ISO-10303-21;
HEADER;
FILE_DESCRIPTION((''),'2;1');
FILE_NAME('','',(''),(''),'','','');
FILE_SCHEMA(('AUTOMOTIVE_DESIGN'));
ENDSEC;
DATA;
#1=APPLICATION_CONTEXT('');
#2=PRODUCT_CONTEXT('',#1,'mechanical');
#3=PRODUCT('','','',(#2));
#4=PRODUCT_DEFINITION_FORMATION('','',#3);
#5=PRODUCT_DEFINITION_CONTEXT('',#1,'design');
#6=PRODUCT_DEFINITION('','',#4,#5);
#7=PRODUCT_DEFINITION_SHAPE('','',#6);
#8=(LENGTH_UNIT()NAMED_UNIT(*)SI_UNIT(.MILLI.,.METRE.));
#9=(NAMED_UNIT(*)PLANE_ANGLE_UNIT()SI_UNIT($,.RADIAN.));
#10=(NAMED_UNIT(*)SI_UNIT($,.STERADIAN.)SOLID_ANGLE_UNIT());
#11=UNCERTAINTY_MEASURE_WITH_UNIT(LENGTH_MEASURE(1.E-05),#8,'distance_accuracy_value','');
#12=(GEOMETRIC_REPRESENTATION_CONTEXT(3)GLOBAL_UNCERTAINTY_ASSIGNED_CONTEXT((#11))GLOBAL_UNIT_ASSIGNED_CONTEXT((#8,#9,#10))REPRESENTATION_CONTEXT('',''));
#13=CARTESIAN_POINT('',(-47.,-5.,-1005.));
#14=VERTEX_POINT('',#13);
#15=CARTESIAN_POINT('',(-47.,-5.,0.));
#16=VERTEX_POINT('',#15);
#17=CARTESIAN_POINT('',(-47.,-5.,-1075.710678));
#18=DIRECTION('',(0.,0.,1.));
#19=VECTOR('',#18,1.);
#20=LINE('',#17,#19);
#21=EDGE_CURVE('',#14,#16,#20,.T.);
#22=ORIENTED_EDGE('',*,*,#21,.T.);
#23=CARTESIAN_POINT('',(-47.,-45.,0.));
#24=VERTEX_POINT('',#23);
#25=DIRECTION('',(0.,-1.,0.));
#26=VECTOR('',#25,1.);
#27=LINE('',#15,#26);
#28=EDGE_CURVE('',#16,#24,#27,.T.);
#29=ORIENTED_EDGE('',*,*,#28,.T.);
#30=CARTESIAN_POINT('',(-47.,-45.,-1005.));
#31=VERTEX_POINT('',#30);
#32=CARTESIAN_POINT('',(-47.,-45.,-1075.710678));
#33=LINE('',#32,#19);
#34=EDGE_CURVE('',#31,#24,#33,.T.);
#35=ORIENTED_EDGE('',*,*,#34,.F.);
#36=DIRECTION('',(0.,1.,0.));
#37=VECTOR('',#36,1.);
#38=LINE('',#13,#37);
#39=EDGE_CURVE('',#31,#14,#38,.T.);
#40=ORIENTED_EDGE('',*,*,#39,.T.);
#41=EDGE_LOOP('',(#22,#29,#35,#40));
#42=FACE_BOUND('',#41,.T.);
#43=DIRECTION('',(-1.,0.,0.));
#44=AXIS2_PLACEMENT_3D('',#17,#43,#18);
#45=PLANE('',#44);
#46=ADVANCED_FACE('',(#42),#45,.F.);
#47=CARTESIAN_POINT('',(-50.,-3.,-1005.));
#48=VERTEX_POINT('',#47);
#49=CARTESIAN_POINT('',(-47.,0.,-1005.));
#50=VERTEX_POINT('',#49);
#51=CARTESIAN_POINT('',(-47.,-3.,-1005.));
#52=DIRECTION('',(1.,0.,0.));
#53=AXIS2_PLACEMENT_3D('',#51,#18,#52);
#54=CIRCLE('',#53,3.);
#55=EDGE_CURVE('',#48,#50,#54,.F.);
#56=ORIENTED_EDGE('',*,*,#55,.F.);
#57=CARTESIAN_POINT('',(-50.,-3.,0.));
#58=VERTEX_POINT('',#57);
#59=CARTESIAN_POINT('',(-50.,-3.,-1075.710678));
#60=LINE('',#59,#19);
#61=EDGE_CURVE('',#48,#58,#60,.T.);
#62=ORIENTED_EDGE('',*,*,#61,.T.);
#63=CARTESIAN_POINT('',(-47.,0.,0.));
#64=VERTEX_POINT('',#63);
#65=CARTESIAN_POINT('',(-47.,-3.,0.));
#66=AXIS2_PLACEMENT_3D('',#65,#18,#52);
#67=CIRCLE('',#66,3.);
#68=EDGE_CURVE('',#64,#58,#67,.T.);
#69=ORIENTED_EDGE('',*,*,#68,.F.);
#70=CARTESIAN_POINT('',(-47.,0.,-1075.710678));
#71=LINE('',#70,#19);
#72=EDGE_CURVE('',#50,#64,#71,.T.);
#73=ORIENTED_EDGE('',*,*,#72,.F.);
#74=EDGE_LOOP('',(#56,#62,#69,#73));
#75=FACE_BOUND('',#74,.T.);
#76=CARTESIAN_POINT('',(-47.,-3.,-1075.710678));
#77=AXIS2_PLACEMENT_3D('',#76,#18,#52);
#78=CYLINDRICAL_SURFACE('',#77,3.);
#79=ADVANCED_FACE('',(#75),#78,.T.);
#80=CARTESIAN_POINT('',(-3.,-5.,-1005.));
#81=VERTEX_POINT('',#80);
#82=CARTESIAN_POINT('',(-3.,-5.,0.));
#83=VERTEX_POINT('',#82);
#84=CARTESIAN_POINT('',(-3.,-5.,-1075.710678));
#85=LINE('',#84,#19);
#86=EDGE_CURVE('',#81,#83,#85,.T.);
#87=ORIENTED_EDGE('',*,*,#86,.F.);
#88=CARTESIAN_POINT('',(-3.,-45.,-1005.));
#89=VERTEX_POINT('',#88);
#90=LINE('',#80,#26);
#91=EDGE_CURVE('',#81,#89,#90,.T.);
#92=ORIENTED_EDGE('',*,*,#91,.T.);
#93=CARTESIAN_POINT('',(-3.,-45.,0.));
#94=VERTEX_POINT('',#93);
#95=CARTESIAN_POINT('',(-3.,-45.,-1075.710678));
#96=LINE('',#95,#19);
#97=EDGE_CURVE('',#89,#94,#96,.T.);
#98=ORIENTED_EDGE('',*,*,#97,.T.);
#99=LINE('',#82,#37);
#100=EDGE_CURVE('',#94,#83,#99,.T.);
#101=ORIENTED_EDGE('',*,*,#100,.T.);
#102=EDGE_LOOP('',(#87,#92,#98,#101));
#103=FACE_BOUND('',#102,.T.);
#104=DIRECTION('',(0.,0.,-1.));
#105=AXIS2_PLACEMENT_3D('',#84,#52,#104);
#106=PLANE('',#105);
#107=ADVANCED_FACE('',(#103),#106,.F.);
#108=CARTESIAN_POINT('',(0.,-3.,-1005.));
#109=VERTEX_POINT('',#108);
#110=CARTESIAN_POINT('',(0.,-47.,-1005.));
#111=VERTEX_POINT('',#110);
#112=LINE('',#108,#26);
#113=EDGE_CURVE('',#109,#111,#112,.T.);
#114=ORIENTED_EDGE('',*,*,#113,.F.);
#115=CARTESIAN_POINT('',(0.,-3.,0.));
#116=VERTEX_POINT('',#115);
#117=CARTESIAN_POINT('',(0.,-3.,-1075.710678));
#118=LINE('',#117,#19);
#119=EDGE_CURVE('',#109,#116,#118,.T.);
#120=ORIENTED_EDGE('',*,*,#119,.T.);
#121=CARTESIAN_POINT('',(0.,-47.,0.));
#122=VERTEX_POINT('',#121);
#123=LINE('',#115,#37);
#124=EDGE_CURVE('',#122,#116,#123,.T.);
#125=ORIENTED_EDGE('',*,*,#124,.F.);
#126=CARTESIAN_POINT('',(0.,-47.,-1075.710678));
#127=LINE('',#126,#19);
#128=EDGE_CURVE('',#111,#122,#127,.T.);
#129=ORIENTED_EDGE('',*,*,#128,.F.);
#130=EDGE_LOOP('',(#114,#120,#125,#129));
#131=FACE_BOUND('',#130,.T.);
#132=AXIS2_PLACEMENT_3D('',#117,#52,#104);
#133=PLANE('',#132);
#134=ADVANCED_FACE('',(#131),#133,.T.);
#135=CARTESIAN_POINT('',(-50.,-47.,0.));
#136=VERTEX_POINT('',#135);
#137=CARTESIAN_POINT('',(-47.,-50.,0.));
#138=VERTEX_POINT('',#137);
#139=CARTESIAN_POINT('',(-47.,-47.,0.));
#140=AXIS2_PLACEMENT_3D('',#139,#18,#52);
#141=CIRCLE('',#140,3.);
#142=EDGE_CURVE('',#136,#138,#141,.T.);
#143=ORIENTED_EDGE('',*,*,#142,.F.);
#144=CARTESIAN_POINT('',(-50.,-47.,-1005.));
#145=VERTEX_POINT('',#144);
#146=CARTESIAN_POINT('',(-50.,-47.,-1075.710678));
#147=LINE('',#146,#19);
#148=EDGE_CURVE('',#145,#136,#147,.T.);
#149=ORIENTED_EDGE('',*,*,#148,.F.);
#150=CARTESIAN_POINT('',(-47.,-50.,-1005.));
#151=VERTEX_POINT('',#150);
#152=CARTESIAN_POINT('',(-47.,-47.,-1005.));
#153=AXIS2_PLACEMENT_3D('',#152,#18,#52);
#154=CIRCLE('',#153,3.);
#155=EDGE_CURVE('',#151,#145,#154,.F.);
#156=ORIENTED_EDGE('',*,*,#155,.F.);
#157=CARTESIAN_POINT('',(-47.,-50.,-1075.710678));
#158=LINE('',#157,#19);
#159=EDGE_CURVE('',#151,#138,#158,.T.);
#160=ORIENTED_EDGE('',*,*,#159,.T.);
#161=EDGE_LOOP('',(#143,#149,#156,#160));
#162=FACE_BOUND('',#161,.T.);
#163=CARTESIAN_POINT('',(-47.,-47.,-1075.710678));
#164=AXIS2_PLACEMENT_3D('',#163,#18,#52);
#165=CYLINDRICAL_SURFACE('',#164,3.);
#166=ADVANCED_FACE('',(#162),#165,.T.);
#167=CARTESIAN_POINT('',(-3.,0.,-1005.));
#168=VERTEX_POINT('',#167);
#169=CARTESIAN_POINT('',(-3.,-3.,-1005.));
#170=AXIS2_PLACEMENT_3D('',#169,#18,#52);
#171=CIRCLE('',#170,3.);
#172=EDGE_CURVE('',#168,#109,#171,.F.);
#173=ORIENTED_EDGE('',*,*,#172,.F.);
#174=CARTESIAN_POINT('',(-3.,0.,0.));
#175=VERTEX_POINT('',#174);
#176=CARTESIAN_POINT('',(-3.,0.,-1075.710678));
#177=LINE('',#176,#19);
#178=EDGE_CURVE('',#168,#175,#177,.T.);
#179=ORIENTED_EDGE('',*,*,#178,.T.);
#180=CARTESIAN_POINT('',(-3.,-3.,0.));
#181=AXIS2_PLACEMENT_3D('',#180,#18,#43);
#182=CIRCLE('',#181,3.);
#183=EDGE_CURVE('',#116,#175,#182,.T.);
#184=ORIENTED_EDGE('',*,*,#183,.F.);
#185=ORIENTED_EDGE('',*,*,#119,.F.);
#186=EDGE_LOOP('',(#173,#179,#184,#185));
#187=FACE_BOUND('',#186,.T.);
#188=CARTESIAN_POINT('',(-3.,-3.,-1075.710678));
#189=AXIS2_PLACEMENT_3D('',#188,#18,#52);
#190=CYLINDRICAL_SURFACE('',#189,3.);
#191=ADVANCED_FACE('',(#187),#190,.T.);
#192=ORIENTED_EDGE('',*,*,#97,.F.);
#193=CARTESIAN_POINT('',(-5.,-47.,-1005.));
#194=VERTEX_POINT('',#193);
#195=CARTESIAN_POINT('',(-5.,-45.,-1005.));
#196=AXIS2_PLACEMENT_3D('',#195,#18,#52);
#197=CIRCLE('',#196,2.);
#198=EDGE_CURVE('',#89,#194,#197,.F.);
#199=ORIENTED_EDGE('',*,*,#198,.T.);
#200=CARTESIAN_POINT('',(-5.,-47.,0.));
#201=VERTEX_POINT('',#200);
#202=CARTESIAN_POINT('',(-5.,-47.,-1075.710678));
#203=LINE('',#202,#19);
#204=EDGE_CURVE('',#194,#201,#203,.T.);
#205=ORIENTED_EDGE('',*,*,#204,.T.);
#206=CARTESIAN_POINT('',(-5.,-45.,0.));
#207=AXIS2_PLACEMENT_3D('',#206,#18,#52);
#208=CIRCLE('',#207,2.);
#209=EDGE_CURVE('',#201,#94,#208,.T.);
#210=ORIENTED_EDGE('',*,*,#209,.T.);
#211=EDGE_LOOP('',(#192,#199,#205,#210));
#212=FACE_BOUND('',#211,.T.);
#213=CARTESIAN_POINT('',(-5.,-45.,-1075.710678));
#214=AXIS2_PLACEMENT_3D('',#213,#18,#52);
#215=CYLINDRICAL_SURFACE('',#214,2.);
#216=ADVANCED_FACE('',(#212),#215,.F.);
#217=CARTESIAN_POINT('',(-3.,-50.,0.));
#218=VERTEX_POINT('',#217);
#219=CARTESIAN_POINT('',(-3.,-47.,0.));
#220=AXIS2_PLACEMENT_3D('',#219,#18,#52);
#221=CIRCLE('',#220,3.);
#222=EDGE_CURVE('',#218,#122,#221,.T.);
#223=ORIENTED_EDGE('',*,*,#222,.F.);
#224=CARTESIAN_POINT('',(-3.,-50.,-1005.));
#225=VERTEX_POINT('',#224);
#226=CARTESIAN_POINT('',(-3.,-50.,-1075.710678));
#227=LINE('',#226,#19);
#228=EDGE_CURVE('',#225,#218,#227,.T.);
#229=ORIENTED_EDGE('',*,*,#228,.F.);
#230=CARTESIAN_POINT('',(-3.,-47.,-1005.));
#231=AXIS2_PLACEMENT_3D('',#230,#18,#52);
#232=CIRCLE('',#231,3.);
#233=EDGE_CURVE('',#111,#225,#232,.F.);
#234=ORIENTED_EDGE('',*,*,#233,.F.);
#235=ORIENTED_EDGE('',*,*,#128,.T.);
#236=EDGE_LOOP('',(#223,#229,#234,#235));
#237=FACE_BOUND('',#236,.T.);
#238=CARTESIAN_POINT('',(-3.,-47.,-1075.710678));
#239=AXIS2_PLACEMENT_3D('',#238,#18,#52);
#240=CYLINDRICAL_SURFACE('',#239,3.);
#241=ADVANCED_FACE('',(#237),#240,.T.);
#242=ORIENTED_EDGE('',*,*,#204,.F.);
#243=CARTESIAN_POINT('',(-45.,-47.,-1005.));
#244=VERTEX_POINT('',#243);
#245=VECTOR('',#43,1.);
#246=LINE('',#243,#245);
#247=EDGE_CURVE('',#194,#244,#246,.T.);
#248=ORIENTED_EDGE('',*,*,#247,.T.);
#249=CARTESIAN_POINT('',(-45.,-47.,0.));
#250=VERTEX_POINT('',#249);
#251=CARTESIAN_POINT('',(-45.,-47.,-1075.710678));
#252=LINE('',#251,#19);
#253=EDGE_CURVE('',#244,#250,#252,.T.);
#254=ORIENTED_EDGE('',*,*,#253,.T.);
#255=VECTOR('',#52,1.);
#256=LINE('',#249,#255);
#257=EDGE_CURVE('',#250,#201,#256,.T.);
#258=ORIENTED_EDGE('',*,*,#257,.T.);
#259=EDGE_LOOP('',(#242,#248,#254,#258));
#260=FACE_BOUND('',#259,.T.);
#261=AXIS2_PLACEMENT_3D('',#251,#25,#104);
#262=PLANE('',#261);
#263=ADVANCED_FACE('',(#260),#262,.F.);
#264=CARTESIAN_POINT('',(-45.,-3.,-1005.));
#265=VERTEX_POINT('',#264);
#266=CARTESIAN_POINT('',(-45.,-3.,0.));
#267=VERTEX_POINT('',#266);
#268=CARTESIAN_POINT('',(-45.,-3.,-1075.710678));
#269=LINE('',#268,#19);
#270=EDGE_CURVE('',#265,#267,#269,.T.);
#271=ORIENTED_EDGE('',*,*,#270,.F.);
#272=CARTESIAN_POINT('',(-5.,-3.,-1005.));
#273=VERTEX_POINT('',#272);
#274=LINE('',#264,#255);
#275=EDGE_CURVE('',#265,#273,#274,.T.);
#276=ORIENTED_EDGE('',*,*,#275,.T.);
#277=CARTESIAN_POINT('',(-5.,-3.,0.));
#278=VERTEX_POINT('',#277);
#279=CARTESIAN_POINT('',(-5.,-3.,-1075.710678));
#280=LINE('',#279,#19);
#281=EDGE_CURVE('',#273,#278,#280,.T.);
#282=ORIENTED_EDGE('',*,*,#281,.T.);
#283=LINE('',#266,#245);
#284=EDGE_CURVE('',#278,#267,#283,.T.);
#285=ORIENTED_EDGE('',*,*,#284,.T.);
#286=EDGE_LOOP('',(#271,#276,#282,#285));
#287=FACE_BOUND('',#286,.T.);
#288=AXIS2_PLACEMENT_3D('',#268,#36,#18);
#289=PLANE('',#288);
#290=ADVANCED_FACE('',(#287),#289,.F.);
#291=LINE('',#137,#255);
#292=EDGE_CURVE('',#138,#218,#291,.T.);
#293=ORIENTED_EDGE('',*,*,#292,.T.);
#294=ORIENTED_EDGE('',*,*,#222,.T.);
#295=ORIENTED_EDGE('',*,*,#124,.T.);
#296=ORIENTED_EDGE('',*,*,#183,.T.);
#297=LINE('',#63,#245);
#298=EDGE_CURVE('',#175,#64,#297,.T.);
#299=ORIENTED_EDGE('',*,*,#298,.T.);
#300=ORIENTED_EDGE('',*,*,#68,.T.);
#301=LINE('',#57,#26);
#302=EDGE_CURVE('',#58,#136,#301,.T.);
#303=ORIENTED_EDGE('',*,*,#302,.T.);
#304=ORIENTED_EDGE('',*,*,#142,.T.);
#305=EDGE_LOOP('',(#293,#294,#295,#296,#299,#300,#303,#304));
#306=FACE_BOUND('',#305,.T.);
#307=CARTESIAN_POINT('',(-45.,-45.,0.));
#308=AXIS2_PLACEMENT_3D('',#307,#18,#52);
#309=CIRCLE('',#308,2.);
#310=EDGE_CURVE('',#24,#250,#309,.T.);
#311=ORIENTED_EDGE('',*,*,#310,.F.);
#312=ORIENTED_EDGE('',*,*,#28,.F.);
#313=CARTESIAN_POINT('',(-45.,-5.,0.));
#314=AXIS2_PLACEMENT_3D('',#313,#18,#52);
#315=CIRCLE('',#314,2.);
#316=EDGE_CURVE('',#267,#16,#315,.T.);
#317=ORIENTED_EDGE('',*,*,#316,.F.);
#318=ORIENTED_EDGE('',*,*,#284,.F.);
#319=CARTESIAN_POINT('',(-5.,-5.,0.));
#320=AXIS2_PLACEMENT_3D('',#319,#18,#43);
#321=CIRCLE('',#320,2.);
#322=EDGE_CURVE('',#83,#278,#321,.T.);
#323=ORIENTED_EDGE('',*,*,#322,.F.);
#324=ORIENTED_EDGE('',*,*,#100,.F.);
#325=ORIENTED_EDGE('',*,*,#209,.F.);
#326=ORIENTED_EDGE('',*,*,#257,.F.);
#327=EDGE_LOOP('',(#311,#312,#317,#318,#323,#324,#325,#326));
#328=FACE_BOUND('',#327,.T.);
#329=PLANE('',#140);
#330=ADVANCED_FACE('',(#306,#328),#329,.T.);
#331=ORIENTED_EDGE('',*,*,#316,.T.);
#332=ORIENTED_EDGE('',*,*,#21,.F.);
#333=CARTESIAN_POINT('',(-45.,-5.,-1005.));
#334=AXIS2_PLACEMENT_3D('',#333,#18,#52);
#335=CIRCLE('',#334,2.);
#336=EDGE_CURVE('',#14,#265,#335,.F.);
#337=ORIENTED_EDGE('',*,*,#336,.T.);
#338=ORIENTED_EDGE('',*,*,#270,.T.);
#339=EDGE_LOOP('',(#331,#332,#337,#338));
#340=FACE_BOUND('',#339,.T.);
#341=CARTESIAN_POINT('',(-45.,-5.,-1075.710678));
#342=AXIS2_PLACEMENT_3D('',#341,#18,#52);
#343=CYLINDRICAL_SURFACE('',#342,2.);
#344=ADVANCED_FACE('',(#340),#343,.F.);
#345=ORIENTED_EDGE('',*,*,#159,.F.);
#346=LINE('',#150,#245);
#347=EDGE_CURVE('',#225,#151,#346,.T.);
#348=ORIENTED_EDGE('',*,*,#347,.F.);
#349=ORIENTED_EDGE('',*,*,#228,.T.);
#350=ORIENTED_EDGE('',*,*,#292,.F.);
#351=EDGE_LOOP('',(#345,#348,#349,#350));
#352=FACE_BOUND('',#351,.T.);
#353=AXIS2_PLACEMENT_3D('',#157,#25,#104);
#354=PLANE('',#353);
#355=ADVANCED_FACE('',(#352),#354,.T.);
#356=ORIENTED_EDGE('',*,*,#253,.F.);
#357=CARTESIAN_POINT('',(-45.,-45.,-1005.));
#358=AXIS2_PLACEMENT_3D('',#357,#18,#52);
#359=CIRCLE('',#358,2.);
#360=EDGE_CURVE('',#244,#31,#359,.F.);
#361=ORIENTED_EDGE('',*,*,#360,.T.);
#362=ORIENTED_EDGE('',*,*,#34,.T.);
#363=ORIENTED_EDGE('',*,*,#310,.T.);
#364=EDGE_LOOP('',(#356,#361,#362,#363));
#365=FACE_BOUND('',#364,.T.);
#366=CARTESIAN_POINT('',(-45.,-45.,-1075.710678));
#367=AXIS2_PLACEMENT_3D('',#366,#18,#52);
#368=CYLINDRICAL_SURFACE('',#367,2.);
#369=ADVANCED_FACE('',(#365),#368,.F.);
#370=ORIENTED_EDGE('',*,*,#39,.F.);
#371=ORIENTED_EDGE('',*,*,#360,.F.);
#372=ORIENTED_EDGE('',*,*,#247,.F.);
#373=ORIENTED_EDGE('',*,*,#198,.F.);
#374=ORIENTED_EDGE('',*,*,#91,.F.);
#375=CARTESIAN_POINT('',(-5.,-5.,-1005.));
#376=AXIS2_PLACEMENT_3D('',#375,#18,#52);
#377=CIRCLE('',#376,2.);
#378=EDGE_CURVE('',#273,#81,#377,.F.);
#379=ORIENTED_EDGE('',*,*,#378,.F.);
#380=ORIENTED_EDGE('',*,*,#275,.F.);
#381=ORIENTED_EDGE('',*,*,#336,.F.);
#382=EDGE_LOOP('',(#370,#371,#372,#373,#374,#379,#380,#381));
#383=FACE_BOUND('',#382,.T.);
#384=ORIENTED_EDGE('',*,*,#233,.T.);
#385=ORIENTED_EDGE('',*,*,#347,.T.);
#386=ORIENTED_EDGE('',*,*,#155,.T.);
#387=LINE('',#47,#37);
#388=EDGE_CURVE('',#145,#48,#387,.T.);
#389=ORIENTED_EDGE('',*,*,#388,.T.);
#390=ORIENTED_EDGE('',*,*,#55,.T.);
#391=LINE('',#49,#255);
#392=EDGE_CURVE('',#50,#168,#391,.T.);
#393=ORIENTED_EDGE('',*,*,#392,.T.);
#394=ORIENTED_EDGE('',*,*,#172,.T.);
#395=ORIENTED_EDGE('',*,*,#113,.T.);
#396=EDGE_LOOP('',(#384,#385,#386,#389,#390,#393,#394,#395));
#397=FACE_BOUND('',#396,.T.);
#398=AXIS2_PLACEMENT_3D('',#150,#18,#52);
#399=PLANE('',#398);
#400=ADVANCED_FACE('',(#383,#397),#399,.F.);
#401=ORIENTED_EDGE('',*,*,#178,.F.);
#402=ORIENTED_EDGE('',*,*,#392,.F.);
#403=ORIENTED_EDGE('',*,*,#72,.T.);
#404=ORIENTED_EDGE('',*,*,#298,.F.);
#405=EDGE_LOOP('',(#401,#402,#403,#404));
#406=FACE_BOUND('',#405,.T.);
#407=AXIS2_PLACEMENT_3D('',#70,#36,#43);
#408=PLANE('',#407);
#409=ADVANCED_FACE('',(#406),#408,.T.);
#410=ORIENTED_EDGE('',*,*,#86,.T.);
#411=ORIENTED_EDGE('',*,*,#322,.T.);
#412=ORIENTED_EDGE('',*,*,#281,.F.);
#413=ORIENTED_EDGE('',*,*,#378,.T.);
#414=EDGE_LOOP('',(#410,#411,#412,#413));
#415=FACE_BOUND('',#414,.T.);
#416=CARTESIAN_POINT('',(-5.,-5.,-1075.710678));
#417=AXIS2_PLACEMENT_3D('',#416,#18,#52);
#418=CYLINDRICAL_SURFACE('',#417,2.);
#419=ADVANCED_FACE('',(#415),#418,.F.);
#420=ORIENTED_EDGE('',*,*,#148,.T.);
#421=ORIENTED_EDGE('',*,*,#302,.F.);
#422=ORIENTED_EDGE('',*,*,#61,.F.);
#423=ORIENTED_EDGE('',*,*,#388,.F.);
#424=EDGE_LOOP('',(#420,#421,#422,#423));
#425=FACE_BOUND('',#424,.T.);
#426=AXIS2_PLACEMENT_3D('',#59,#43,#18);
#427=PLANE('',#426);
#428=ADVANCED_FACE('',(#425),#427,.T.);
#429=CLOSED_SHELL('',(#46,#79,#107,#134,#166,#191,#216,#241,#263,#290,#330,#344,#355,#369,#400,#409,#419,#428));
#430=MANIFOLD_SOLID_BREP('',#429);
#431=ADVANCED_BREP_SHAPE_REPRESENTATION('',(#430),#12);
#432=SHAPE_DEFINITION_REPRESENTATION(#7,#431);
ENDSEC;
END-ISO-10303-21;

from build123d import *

# Parameters (mm, degrees)
EXTRUDE_1_DEPTH = 1005


with BuildPart() as part:
    # Эскиз1 → Бобышка-Вытянуть1 (new body)
    with BuildSketch(Plane.XY):
        with BuildLine():
            Line((-47, 0), (-3, 0))
            ThreePointArc((-3, 0), (-0.878679656, -0.878679656), (0, -3))
            Line((0, -3), (0, -47))
            ThreePointArc((0, -47), (-0.878679656, -49.121320344), (-3, -50))
            Line((-3, -50), (-47, -50))
            ThreePointArc((-47, -50), (-49.121320344, -49.121320344), (-50, -47))
            Line((-50, -47), (-50, -3))
            ThreePointArc((-50, -3), (-49.121320344, -0.878679656), (-47, 0))
        make_face()
        with BuildLine():
            Line((-45, -3), (-5, -3))
            ThreePointArc((-5, -3), (-3.585786438, -3.585786438), (-3, -5))
            Line((-3, -5), (-3, -45))
            ThreePointArc((-3, -45), (-3.585786438, -46.414213562), (-5, -47))
            Line((-5, -47), (-45, -47))
            ThreePointArc((-45, -47), (-46.414213562, -46.414213562), (-47, -45))
            Line((-47, -45), (-47, -5))
            ThreePointArc((-47, -5), (-46.414213562, -3.585786438), (-45, -3))
        make_face(mode=Mode.SUBTRACT)
    extrude(amount=-EXTRUDE_1_DEPTH)


solid = part.part
